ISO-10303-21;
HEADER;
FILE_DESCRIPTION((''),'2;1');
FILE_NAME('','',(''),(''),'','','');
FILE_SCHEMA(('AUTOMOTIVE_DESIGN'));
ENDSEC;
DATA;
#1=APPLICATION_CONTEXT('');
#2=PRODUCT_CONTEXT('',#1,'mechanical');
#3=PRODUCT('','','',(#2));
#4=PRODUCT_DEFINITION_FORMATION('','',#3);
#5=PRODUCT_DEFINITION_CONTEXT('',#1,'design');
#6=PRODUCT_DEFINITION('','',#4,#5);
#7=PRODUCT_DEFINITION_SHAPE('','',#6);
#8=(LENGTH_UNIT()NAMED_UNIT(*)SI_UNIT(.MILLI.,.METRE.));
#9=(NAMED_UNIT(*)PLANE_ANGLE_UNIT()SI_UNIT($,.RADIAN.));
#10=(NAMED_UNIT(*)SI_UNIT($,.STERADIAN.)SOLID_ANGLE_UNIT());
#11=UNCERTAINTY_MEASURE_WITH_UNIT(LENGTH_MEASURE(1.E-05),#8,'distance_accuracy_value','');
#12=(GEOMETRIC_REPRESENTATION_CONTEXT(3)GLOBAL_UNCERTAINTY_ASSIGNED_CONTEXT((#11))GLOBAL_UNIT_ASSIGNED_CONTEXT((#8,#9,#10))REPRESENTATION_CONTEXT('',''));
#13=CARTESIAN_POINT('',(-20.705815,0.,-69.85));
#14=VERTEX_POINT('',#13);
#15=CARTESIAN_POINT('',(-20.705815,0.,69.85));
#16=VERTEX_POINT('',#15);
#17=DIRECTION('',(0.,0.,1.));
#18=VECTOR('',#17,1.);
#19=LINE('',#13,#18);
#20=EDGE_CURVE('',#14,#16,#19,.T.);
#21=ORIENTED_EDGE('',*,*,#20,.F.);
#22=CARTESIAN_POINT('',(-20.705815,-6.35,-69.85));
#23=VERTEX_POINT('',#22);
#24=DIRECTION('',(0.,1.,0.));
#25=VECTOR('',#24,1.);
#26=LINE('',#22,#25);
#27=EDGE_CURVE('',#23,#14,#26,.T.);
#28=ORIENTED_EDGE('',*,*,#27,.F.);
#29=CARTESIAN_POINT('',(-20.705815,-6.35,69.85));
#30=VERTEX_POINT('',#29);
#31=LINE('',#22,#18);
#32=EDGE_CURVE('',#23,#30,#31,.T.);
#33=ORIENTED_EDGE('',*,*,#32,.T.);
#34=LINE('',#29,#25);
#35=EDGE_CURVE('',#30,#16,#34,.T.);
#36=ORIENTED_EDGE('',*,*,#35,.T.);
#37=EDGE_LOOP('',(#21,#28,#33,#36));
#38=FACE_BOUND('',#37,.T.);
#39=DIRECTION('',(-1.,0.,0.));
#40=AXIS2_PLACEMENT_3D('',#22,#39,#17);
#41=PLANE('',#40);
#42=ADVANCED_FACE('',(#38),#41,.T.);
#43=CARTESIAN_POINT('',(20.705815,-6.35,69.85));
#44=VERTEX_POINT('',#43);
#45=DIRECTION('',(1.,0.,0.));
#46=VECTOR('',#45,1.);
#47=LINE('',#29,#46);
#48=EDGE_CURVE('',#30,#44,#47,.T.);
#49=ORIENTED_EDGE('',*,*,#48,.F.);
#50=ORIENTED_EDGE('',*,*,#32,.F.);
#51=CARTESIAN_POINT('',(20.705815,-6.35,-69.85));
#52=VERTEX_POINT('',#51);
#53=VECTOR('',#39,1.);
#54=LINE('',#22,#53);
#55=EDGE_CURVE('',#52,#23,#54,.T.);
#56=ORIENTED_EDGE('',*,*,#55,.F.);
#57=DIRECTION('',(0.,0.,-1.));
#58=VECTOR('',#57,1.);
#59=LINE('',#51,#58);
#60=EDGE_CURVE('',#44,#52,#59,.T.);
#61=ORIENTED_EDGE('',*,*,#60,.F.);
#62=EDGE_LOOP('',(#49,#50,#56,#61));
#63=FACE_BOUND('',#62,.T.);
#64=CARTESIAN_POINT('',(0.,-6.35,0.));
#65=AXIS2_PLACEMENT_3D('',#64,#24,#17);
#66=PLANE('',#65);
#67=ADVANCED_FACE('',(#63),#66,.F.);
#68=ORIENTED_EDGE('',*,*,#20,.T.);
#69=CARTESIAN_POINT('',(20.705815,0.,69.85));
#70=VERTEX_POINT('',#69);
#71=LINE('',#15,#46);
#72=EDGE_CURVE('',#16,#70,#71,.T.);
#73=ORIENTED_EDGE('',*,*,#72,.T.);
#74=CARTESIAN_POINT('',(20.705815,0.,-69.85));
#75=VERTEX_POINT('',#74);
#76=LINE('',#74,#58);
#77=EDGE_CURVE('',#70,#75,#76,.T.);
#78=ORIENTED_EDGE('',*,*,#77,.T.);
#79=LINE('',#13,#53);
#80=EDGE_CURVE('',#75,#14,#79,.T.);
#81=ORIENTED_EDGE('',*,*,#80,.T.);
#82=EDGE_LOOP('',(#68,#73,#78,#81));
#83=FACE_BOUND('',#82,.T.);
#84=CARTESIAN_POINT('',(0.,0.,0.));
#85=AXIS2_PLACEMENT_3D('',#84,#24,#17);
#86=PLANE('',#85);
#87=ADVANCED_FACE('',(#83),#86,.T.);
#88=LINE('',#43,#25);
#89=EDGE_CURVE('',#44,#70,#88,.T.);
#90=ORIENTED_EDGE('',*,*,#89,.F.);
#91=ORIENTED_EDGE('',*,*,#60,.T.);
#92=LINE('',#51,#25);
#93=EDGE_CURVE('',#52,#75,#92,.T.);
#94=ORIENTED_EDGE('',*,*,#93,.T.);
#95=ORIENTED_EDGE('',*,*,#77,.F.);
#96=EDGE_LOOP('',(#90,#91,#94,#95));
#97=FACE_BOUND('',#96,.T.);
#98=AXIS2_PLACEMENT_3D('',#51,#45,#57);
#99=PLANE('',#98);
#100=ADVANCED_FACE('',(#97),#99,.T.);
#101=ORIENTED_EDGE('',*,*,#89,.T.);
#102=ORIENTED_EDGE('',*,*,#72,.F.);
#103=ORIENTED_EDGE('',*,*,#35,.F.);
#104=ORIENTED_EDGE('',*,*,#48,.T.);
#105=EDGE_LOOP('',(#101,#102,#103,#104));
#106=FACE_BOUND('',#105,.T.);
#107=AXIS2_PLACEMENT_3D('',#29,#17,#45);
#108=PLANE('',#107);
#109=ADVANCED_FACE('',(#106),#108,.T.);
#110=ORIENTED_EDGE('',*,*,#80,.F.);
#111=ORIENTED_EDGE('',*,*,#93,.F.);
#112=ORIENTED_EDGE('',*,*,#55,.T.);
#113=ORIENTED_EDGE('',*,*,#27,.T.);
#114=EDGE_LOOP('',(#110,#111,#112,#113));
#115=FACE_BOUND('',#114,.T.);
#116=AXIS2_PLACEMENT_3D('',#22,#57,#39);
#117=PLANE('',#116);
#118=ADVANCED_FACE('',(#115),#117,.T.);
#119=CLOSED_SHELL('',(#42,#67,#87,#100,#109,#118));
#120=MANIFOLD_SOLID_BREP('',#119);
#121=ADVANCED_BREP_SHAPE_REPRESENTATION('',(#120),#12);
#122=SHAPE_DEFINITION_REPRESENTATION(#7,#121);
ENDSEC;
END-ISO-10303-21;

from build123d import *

# Parameters (mm, degrees)
SKETCH1_W           = 41.411629014
SKETCH1_H           = 139.7
BOSS_EXTRUDE1_DEPTH = 6.35


with BuildPart() as part:
    # Sketch1 → Boss-Extrude1 (new body)
    with BuildSketch(Plane(origin=(0, 0, 0), x_dir=(1, 0, 0), z_dir=(0, 1, 0))):
        Rectangle(SKETCH1_W, SKETCH1_H)
    extrude(amount=-BOSS_EXTRUDE1_DEPTH)


solid = part.part
